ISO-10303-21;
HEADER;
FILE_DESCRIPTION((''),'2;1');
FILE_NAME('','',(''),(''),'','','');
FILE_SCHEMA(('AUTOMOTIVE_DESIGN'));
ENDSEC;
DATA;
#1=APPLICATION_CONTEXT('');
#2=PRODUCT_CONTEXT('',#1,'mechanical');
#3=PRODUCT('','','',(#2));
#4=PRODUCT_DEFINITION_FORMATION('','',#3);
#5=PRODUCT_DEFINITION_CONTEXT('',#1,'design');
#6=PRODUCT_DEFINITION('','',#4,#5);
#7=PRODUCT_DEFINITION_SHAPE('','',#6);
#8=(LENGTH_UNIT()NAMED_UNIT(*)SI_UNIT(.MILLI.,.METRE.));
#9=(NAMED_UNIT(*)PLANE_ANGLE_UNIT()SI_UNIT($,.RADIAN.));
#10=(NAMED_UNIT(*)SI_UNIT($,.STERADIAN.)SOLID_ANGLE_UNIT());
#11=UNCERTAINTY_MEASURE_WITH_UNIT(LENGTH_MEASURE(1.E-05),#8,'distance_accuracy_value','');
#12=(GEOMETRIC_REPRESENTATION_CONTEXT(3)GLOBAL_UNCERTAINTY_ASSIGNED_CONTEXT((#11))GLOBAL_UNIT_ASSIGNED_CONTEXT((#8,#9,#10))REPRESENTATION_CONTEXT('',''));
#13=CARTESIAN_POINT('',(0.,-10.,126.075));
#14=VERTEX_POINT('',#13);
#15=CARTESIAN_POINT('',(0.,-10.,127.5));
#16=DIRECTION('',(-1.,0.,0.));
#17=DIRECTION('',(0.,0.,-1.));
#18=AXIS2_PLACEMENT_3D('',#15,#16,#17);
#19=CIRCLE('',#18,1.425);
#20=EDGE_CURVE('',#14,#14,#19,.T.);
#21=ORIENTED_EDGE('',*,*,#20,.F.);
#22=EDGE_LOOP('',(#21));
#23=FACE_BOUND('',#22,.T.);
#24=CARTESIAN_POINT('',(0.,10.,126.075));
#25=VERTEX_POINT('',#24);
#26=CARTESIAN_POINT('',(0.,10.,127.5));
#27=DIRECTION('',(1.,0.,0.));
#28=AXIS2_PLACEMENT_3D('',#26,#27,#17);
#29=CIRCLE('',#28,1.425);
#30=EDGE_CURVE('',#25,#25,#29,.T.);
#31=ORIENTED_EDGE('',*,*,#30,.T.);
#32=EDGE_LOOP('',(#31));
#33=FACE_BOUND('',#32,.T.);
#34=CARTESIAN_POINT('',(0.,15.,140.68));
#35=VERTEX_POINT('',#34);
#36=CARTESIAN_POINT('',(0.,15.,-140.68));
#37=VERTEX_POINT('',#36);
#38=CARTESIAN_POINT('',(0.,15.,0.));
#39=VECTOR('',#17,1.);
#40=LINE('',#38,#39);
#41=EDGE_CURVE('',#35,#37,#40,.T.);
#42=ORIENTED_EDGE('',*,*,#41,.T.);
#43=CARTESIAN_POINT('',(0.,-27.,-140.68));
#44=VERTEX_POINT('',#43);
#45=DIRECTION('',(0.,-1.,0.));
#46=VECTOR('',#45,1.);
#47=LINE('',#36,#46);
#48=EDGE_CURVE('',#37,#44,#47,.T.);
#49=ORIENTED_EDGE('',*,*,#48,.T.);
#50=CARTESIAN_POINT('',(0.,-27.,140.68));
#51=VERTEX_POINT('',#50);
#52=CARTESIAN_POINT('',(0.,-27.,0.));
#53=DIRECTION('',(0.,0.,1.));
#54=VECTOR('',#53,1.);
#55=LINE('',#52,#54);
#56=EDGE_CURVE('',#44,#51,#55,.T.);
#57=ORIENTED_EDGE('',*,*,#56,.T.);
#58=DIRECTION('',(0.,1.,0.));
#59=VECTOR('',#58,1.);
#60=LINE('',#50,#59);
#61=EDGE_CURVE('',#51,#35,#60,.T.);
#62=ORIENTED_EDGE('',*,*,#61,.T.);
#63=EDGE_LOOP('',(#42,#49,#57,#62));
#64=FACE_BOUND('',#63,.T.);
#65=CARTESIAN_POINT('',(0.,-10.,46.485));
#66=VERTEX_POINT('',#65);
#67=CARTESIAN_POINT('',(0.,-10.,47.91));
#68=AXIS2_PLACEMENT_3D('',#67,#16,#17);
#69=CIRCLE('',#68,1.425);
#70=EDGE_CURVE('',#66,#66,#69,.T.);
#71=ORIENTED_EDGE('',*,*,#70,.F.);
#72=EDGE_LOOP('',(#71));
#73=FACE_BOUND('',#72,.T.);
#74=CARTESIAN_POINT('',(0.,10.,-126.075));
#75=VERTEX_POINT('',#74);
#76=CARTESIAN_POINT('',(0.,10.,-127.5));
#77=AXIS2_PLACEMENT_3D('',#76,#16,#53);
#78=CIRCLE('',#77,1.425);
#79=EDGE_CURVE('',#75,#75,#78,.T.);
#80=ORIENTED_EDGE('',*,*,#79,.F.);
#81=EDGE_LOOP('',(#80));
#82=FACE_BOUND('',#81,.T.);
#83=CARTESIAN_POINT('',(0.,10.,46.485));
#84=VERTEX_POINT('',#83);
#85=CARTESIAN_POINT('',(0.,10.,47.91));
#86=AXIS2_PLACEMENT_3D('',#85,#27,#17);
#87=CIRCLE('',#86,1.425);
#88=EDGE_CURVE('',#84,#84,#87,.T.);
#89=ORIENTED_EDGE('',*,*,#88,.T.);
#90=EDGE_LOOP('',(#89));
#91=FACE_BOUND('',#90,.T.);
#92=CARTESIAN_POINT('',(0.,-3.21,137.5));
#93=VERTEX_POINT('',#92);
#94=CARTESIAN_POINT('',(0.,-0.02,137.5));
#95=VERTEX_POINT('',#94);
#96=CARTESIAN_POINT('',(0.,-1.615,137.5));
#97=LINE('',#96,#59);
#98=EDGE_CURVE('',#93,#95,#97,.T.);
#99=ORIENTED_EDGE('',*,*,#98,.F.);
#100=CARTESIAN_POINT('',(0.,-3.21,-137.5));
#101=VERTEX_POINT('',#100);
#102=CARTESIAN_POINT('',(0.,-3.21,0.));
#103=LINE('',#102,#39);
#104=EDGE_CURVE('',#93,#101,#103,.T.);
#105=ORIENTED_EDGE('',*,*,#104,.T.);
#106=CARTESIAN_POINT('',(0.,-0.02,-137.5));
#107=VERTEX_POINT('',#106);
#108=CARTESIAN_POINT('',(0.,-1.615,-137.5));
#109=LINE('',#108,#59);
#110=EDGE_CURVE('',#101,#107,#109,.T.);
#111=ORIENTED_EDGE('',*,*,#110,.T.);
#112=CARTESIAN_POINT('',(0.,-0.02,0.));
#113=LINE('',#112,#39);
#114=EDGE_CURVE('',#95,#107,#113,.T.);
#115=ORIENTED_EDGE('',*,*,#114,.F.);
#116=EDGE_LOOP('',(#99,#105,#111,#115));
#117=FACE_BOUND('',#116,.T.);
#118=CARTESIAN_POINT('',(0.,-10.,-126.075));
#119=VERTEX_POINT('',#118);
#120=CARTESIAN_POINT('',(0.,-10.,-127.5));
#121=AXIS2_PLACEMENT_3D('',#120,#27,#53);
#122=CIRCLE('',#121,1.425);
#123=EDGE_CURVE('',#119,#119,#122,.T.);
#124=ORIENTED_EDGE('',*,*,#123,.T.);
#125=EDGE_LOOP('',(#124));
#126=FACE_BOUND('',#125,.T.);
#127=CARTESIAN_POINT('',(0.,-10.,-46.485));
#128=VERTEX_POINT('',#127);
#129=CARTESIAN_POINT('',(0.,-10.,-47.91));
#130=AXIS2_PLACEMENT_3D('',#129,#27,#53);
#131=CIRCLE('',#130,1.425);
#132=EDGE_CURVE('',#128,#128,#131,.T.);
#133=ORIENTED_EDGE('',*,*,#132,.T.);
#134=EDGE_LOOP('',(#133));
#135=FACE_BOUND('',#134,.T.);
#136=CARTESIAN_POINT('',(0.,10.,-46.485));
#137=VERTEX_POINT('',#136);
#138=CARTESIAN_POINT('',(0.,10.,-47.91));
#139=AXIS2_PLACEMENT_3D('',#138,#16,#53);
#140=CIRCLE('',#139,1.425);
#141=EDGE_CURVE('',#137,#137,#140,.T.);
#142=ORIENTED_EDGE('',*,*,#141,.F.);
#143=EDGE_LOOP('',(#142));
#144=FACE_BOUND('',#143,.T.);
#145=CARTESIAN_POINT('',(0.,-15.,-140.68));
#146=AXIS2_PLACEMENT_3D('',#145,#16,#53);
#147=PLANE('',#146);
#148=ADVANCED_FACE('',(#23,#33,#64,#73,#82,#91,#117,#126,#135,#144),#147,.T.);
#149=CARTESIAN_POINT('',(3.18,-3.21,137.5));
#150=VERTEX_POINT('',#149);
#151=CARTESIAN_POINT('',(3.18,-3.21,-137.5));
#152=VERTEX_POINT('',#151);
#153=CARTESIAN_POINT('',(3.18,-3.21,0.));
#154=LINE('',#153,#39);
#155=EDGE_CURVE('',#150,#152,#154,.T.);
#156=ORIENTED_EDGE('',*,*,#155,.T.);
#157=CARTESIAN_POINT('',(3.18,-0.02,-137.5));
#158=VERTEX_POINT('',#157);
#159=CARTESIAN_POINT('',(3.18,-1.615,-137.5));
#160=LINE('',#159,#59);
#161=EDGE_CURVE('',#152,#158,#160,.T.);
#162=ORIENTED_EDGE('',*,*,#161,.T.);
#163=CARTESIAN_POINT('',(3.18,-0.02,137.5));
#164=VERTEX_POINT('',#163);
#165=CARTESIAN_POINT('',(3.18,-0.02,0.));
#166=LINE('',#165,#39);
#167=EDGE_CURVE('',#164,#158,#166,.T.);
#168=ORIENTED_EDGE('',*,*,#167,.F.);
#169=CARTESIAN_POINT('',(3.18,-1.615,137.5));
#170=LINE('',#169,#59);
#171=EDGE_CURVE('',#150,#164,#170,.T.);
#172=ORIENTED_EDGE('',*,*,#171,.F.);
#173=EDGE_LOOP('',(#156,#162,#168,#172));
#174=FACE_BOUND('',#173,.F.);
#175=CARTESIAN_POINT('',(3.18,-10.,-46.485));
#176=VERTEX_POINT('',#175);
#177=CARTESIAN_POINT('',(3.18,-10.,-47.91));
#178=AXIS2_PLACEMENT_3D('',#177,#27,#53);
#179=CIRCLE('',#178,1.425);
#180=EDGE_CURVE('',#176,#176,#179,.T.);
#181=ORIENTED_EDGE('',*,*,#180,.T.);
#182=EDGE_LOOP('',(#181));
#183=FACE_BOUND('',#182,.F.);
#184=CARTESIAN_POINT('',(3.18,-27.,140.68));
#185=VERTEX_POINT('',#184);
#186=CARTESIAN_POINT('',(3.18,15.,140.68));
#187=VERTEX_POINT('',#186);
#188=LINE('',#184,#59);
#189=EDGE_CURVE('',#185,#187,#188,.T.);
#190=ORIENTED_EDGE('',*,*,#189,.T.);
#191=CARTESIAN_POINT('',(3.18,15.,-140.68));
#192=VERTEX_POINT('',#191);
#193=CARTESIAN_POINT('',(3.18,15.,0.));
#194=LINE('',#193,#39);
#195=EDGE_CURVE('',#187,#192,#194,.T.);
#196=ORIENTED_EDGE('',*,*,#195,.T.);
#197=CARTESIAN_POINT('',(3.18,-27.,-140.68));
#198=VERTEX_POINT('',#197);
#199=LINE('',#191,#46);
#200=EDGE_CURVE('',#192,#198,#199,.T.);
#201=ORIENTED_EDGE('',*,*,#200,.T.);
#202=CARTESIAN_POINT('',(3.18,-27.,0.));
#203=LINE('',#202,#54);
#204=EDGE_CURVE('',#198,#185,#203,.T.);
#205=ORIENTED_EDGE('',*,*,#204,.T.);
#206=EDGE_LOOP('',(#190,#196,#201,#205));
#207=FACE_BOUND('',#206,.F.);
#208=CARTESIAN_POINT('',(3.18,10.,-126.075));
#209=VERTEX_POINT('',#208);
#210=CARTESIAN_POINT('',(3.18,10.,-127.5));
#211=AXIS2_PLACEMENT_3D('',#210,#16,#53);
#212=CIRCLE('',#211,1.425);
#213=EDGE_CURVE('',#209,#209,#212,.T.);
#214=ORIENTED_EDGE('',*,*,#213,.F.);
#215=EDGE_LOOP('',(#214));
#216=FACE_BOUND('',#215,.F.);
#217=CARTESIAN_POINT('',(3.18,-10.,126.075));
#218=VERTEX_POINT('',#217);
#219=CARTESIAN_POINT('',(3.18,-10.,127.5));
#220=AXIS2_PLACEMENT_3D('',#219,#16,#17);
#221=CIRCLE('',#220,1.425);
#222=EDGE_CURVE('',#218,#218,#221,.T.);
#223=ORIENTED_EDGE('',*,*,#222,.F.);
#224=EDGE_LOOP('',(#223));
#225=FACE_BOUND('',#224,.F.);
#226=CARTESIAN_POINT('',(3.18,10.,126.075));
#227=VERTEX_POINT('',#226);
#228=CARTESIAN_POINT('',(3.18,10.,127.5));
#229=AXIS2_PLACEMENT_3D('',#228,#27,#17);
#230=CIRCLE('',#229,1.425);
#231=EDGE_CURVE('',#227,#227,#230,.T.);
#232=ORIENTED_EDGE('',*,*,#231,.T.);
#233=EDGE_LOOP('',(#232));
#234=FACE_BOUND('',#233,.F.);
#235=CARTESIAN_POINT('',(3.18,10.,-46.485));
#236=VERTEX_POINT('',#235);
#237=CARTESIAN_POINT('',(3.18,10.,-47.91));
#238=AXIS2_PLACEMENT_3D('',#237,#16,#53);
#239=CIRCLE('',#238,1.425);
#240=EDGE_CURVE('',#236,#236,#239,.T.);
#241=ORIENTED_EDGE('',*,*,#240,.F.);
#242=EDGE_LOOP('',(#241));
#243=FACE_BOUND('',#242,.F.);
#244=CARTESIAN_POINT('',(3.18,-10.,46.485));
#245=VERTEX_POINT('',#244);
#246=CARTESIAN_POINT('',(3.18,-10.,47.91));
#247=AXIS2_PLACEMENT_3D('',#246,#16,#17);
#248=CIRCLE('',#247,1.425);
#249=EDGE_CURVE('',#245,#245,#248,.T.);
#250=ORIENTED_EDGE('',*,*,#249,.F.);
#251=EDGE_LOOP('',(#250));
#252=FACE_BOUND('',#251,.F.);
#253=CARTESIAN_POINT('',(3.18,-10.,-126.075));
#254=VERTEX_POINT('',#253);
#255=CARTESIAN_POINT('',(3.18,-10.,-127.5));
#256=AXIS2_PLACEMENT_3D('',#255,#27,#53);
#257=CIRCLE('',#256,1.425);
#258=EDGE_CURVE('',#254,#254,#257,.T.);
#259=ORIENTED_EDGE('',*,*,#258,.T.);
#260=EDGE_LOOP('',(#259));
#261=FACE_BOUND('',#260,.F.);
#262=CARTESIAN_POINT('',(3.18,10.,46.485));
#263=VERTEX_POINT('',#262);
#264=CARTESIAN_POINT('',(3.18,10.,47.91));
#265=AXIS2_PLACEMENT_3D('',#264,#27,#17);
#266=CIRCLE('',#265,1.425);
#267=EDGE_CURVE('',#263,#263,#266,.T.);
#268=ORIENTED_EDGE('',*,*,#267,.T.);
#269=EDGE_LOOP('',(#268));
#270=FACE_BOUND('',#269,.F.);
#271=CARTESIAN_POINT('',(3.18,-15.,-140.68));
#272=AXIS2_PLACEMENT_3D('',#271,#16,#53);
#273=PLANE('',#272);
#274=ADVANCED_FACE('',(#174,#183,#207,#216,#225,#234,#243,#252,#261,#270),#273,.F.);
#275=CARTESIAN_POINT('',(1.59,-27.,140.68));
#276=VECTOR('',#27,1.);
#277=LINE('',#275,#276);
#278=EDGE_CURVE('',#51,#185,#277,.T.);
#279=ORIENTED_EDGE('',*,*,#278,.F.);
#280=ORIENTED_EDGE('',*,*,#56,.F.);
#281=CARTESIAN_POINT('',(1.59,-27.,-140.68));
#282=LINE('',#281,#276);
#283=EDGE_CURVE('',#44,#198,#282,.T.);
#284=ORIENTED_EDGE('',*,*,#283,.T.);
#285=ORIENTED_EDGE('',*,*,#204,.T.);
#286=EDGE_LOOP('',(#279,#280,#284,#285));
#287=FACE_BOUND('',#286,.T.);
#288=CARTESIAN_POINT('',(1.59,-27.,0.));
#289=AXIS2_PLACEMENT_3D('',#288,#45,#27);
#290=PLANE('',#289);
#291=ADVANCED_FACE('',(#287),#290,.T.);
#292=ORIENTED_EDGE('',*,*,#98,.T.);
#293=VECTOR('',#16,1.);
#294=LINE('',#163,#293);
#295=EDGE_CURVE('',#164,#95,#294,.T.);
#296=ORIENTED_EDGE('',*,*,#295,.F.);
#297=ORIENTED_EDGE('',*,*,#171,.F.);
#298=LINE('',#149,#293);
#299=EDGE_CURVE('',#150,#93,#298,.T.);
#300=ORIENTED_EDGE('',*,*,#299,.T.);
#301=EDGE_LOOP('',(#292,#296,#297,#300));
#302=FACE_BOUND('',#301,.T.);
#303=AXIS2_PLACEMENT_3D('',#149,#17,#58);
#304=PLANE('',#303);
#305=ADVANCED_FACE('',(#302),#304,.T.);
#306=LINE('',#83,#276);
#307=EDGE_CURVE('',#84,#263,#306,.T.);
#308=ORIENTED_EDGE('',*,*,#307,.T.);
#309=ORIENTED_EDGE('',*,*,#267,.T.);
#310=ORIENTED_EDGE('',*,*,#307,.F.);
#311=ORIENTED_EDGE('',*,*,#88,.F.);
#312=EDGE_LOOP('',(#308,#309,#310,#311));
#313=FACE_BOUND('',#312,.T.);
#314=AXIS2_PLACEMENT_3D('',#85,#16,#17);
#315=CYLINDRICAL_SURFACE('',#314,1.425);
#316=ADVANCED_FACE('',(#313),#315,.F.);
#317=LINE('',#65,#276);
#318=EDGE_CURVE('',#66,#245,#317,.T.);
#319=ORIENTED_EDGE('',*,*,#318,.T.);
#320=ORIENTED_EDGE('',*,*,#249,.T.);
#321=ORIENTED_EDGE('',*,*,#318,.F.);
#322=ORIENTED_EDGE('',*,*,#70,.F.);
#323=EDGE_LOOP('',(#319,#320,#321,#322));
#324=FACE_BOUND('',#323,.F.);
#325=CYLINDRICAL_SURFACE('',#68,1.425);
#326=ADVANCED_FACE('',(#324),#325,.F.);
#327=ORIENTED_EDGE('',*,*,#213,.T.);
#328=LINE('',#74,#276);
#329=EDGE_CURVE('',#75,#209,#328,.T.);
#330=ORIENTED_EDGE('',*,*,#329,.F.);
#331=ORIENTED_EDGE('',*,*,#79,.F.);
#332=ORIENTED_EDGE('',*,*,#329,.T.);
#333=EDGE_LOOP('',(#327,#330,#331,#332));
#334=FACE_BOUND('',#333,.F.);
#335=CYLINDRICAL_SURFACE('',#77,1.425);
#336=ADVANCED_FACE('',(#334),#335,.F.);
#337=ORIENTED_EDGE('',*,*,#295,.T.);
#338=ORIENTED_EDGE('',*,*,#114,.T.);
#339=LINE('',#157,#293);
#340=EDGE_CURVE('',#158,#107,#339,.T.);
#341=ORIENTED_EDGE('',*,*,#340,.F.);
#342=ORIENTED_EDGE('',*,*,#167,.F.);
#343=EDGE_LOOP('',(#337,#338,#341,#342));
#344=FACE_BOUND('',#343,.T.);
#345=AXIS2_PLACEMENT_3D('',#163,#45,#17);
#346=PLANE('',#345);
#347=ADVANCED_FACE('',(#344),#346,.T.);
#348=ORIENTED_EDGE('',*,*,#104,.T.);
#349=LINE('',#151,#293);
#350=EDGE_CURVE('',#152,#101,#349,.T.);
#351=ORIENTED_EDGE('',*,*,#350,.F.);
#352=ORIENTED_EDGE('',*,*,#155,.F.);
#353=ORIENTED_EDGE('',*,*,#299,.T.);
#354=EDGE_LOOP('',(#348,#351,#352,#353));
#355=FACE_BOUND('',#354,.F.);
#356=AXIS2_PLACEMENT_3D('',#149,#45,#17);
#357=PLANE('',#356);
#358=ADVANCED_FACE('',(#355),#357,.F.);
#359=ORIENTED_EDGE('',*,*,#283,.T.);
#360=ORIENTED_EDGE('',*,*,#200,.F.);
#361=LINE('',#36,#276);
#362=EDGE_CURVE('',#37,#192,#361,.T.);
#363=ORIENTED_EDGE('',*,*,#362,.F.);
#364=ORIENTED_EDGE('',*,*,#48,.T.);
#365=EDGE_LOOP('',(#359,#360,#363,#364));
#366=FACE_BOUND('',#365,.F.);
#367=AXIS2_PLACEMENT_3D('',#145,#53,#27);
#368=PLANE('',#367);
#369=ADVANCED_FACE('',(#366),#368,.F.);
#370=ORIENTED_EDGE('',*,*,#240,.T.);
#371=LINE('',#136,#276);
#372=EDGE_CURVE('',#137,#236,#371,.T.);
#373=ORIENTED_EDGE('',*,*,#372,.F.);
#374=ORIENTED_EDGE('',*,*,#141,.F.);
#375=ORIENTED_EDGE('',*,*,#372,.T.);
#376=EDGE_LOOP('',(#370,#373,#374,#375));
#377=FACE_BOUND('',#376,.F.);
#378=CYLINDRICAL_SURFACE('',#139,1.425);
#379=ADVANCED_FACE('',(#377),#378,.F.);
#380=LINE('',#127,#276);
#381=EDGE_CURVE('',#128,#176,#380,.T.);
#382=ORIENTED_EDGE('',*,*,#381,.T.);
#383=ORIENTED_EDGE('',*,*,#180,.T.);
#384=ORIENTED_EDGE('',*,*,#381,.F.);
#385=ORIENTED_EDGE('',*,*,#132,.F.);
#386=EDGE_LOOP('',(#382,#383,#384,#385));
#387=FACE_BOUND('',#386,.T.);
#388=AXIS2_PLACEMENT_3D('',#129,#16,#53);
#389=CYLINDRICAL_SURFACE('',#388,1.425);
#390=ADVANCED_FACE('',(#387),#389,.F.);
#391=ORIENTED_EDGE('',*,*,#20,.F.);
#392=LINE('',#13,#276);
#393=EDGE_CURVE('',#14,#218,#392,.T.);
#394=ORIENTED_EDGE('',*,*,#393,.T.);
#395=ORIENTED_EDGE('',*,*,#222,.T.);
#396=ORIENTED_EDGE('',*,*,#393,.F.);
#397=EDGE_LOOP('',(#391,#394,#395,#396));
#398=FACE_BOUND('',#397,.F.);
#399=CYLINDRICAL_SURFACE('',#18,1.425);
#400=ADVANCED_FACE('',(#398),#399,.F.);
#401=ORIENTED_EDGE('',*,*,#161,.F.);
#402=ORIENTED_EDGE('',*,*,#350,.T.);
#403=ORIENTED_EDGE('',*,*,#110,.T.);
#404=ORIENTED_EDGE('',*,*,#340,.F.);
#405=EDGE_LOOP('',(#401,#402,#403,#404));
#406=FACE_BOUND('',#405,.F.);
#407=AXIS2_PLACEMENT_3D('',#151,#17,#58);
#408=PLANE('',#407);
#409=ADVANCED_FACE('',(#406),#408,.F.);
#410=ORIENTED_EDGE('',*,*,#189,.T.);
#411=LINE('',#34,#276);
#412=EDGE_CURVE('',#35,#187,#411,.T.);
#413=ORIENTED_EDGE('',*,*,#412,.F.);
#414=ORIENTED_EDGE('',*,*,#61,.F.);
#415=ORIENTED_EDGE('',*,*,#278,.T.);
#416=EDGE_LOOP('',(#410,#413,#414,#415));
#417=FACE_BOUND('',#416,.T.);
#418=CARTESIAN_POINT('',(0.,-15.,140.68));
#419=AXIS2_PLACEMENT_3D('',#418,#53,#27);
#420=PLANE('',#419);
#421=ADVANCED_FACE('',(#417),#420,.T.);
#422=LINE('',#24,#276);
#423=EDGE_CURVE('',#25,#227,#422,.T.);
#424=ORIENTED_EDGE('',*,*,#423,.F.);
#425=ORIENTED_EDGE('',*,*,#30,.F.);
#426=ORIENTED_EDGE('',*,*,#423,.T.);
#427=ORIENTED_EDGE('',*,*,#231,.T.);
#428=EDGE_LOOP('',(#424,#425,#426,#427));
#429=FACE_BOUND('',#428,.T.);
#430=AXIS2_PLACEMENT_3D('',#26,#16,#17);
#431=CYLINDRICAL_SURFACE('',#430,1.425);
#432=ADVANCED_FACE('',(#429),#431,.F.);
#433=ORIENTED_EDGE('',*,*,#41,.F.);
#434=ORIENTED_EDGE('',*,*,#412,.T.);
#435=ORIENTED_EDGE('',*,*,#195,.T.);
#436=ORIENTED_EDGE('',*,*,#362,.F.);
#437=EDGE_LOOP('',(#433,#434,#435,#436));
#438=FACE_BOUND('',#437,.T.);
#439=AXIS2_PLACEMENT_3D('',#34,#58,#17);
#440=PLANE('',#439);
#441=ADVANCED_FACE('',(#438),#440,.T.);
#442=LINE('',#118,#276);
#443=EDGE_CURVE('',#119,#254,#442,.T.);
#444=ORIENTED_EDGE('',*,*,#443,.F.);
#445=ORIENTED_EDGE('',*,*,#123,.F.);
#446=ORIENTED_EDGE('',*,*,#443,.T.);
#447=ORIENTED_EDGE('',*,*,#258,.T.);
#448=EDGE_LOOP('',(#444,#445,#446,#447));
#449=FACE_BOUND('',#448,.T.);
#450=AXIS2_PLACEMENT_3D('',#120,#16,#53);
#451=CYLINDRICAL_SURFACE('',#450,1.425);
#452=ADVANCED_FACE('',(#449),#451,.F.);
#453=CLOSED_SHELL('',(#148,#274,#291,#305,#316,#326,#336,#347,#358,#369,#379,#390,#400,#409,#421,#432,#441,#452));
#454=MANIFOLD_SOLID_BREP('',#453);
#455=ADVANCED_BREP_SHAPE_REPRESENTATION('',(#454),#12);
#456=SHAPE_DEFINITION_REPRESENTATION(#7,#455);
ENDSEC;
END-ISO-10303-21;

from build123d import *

# Parameters (mm, degrees)
SKETCH1_W               = 281.36
SKETCH1_H               = 30
BOSS_EXTRUDE1_DEPTH     = 3.18
CUT_EXTRUDE1_REACH      = 143.513
SKETCH2_R               = 1.425
MIRROR2_COPY_1_REACH    = 143.513
MIRROR2_COPY_1_SKETCH_R = 1.425
SKETCH3_W               = 275
SKETCH3_H               = 3.19
CUT_EXTRUDE2_DEPTH      = 3.18
SKETCH4_W               = 3.18
SKETCH4_H               = 281.36
BOSS_EXTRUDE2_DEPTH     = 12


with BuildPart() as part:
    # Sketch1 → Boss-Extrude1 (new body)
    with BuildSketch(Plane(origin=(0, 0, 0), x_dir=(0, 0, -1), z_dir=(1, 0, 0))):
        Rectangle(SKETCH1_W, SKETCH1_H)
    extrude(amount=BOSS_EXTRUDE1_DEPTH)

    # Sketch2 → Cut-Extrude1 (cut, up to next)
    with BuildSketch(Plane.ZY, mode=Mode.PRIVATE) as cut_extrude1_sk1:
        with Locations((-127.5, 10)):
            Circle(SKETCH2_R)
    cut_extrude1_tool1 = extrude(cut_extrude1_sk1.sketch, amount=-CUT_EXTRUDE1_REACH, mode=Mode.PRIVATE) & part.part
    # Sketch2 → Cut-Extrude1 (cut, up to next)
    with BuildSketch(Plane.ZY, mode=Mode.PRIVATE) as cut_extrude1_sk2:
        with Locations((-47.91, 10)):
            Circle(SKETCH2_R)
    cut_extrude1_tool2 = extrude(cut_extrude1_sk2.sketch, amount=-CUT_EXTRUDE1_REACH, mode=Mode.PRIVATE) & part.part
    cut_extrude1_1 = cut_extrude1_tool1.solids().sort_by_distance((0, 10, -127.5))[0]
    add(cut_extrude1_1, mode=Mode.SUBTRACT)
    cut_extrude1_2 = cut_extrude1_tool2.solids().sort_by_distance((0, 10, -47.91))[0]
    add(cut_extrude1_2, mode=Mode.SUBTRACT)
    cut_extrude1 = cut_extrude1_1 + cut_extrude1_2  # Cut-Extrude1 as one shape, for the pattern or mirror that repeats it

    # Mirror1: Cut-Extrude1 across plane
    add(cut_extrude1.mirror(Plane.ZX), mode=Mode.SUBTRACT)

    # Mirror2: Cut-Extrude1 across plane
    add(cut_extrude1.mirror(Plane.XY), mode=Mode.SUBTRACT)

    # Mirror2 copy 1 sketch → Mirror2 copy 1 (cut, up to next)
    with BuildSketch(Plane(origin=(0, 0, 0), x_dir=(0, 0, -1), z_dir=(-1, 0, 0)), mode=Mode.PRIVATE) as mirror2_copy_1_sk1:
        with Locations((-127.5, 10)):
            Circle(MIRROR2_COPY_1_SKETCH_R)
    mirror2_copy_1_tool1 = extrude(mirror2_copy_1_sk1.sketch, amount=-MIRROR2_COPY_1_REACH, mode=Mode.PRIVATE) & part.part
    # Mirror2 copy 1 sketch → Mirror2 copy 1 (cut, up to next)
    with BuildSketch(Plane(origin=(0, 0, 0), x_dir=(0, 0, -1), z_dir=(-1, 0, 0)), mode=Mode.PRIVATE) as mirror2_copy_1_sk2:
        with Locations((-47.91, 10)):
            Circle(MIRROR2_COPY_1_SKETCH_R)
    mirror2_copy_1_tool2 = extrude(mirror2_copy_1_sk2.sketch, amount=-MIRROR2_COPY_1_REACH, mode=Mode.PRIVATE) & part.part
    add(mirror2_copy_1_tool1.solids().sort_by_distance((0, -10, 127.5))[0], mode=Mode.SUBTRACT)
    add(mirror2_copy_1_tool2.solids().sort_by_distance((0, -10, 47.91))[0], mode=Mode.SUBTRACT)

    # Sketch3 → Cut-Extrude2 (cut)
    with BuildSketch(Plane(origin=(3.18, 0, 0), x_dir=(0, 0, -1), z_dir=(1, 0, 0))):
        with Locations((0, -1.615)):
            Rectangle(SKETCH3_W, SKETCH3_H)
    extrude(amount=-CUT_EXTRUDE2_DEPTH, mode=Mode.SUBTRACT)

    # Sketch4 → Boss-Extrude2 (add)
    with BuildSketch(Plane.XZ.offset(15)):
        with Locations((1.59, 0)):
            Rectangle(SKETCH4_W, SKETCH4_H)
    extrude(amount=BOSS_EXTRUDE2_DEPTH)


solid = part.part
